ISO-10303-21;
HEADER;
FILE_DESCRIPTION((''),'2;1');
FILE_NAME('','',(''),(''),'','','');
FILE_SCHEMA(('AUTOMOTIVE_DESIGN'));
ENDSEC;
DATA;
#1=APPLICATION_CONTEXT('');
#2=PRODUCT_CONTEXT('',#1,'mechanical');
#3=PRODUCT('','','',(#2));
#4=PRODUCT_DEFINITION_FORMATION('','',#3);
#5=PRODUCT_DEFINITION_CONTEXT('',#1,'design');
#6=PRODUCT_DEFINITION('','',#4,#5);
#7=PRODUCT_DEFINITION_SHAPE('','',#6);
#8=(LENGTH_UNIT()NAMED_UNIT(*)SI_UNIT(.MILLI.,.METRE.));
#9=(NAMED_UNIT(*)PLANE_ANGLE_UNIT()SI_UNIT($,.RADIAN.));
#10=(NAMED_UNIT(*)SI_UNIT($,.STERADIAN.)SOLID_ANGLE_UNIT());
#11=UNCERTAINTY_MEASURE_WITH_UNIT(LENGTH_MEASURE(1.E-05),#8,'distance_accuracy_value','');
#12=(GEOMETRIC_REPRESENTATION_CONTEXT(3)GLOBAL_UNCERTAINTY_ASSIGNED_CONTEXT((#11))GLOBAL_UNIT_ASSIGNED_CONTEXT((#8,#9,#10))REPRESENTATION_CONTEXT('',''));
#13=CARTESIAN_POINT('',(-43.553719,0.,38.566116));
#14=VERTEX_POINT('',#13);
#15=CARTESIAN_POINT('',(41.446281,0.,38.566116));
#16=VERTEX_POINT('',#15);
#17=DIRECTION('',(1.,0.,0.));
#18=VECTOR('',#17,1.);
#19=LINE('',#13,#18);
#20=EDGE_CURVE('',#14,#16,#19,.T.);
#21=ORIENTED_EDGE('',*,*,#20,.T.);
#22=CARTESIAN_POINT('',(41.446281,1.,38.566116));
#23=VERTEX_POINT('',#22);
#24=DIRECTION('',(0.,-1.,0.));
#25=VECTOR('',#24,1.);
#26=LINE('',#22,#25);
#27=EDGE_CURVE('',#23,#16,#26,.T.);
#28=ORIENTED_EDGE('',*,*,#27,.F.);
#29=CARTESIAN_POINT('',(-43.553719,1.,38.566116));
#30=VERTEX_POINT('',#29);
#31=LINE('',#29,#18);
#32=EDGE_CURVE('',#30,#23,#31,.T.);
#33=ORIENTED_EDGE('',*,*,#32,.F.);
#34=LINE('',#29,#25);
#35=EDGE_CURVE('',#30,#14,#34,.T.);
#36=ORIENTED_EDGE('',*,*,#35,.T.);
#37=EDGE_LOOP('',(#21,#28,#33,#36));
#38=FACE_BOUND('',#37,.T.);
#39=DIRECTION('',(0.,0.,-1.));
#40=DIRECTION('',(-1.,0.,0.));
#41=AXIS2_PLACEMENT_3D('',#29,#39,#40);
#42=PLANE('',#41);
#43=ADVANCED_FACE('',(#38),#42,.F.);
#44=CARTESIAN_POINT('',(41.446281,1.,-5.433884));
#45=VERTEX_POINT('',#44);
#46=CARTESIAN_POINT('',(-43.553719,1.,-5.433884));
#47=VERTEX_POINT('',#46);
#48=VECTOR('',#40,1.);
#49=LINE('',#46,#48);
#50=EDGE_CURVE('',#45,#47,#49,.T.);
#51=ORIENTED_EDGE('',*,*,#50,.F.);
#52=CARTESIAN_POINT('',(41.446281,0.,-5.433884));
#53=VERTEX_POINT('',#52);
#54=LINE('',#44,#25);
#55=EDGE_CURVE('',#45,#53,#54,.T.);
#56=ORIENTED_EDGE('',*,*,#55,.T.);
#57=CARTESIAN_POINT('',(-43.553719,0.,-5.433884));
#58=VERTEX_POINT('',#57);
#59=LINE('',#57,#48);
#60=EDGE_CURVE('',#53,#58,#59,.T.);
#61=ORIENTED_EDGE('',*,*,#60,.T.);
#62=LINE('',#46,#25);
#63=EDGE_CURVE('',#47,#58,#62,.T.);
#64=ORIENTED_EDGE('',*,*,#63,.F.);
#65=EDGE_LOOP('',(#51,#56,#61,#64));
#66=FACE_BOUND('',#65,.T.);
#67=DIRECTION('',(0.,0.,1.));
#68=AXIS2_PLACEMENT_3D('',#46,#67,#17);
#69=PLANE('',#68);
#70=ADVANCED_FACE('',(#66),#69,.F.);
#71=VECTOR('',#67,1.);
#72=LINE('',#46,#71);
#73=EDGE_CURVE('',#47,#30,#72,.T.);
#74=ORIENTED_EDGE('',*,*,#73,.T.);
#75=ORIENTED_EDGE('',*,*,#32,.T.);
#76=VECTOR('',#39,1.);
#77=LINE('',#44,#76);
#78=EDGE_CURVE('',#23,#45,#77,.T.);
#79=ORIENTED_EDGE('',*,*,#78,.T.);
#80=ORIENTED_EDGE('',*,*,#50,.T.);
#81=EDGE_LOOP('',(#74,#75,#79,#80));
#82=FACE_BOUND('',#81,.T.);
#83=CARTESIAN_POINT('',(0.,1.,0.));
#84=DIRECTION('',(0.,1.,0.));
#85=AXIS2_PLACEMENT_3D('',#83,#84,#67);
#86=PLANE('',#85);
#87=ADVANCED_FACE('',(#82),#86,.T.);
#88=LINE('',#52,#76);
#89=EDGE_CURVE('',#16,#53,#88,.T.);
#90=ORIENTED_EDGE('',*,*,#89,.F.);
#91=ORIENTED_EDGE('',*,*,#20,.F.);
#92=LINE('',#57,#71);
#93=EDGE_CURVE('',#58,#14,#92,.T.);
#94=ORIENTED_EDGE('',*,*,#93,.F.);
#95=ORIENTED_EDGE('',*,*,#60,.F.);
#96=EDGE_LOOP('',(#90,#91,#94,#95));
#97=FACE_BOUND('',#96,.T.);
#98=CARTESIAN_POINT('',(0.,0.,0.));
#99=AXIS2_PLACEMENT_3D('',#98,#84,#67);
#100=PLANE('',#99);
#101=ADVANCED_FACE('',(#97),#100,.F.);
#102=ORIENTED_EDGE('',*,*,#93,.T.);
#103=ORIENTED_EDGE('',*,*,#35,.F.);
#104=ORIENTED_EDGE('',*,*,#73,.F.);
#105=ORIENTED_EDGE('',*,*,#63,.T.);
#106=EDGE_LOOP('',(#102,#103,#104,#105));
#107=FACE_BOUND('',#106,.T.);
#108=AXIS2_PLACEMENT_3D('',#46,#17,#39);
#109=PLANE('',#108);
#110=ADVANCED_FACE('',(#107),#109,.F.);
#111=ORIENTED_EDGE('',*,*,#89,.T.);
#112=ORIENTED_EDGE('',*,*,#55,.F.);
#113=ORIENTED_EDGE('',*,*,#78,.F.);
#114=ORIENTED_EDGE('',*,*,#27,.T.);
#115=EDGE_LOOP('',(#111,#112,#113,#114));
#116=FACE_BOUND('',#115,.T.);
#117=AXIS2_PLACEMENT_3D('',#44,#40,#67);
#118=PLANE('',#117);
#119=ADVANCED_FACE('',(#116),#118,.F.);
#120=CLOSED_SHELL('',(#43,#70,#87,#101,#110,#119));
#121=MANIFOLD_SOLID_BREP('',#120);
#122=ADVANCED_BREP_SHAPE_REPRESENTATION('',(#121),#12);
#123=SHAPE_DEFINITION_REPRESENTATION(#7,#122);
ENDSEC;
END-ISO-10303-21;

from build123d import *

# Parameters (mm, degrees)
SKETCH1_W           = 85
SKETCH1_H           = 44
BOSS_EXTRUDE1_DEPTH = 1


with BuildPart() as part:
    # Sketch1 → Boss-Extrude1 (new body)
    with BuildSketch(Plane(origin=(0, 0, 0), x_dir=(1, 0, 0), z_dir=(0, 1, 0))):
        with Locations((-1.053719008, -16.566115702)):
            Rectangle(SKETCH1_W, SKETCH1_H)
    extrude(amount=BOSS_EXTRUDE1_DEPTH)


solid = part.part
